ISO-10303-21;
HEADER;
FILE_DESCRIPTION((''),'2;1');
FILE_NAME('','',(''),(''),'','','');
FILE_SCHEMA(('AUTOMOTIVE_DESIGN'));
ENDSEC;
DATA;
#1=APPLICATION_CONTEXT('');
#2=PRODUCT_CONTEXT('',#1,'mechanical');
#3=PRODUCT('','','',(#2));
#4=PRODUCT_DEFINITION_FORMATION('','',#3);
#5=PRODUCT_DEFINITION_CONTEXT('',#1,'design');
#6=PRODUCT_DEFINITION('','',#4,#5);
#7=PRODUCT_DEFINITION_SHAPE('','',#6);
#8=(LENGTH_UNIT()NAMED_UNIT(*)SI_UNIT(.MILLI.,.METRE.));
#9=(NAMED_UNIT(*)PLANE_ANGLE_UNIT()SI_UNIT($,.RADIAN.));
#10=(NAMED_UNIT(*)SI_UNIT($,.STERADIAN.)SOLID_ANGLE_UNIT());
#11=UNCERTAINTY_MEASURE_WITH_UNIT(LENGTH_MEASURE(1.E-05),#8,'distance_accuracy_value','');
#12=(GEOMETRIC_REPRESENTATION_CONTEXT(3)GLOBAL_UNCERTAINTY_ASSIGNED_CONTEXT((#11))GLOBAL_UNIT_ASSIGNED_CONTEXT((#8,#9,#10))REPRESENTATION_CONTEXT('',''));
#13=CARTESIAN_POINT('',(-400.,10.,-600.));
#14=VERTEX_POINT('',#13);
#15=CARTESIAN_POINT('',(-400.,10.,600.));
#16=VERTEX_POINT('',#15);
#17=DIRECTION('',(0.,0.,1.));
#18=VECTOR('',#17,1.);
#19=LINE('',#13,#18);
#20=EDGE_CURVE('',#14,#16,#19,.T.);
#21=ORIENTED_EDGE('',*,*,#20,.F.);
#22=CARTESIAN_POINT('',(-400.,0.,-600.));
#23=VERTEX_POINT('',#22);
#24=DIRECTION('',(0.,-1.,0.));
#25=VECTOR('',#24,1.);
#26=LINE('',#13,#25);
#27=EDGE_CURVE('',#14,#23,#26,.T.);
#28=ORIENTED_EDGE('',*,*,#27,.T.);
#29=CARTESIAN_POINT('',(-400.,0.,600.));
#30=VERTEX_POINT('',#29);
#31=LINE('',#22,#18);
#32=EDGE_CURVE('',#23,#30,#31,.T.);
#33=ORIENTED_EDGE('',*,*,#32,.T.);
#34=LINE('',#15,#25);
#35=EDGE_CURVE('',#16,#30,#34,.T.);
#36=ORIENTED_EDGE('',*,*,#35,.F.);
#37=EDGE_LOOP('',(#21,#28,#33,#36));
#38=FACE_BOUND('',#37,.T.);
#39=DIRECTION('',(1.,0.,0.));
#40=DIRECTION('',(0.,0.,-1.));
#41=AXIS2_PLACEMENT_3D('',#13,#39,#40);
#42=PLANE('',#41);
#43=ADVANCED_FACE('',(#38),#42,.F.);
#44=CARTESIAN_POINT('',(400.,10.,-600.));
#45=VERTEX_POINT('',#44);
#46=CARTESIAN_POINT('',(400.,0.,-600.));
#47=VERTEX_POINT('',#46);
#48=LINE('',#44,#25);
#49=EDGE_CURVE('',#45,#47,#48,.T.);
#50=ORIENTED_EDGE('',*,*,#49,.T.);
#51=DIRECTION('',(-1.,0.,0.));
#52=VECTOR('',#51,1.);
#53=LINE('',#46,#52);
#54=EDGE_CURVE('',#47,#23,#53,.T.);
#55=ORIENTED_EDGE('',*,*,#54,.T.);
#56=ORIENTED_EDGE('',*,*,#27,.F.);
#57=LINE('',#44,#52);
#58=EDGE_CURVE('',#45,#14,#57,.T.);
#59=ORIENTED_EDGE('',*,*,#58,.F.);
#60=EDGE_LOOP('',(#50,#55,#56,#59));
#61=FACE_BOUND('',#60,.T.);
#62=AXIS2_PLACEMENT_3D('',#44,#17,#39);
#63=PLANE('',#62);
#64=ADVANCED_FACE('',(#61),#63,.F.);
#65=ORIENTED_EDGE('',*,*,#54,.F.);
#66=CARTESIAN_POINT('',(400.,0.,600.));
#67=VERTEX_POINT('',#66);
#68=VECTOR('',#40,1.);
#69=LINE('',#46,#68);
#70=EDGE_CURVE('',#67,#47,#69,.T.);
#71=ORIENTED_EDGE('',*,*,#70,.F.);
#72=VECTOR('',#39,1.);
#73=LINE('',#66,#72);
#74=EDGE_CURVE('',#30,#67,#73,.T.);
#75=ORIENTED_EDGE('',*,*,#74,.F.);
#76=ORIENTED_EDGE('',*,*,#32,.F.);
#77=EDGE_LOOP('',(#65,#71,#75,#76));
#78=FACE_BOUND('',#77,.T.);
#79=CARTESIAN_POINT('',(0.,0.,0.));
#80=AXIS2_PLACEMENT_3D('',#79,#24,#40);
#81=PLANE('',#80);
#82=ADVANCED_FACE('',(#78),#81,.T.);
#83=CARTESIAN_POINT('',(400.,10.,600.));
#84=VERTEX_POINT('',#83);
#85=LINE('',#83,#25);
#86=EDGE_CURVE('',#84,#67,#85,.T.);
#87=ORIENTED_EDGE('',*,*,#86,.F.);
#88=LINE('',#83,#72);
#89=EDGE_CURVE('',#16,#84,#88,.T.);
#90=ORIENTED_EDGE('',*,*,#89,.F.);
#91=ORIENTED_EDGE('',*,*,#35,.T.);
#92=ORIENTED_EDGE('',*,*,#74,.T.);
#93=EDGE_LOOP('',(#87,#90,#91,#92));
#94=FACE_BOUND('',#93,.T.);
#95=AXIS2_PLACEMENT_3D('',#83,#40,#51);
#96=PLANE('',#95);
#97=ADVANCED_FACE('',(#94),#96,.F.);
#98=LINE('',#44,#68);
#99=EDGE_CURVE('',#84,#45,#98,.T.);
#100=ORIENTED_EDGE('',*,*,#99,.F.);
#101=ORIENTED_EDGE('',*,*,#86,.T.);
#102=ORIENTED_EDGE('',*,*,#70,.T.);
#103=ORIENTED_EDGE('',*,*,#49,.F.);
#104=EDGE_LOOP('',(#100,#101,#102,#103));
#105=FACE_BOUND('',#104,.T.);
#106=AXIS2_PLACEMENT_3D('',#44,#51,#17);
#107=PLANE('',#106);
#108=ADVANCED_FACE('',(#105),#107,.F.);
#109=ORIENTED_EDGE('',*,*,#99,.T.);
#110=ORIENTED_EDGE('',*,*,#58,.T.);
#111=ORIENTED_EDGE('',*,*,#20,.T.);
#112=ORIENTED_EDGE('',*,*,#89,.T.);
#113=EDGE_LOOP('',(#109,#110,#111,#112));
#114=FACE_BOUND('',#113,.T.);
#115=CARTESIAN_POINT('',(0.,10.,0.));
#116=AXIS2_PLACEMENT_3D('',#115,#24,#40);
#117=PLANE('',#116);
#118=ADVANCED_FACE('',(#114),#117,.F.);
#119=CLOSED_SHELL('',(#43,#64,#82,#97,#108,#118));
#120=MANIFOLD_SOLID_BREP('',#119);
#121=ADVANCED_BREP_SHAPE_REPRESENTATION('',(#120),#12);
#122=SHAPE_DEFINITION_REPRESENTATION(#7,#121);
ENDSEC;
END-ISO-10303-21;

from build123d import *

# Parameters (mm, degrees)
SKIZZE2_W                       = 800
SKIZZE2_H                       = 1200
AUFSATZ_LINEAR_AUSTRAGEN1_DEPTH = 10


with BuildPart() as part:
    # Skizze2 → Aufsatz-Linear austragen1 (new body)
    with BuildSketch(Plane(origin=(0, 0, 0), x_dir=(1, 0, 0), z_dir=(0, 1, 0))):
        Rectangle(SKIZZE2_W, SKIZZE2_H)
    extrude(amount=AUFSATZ_LINEAR_AUSTRAGEN1_DEPTH)


solid = part.part
